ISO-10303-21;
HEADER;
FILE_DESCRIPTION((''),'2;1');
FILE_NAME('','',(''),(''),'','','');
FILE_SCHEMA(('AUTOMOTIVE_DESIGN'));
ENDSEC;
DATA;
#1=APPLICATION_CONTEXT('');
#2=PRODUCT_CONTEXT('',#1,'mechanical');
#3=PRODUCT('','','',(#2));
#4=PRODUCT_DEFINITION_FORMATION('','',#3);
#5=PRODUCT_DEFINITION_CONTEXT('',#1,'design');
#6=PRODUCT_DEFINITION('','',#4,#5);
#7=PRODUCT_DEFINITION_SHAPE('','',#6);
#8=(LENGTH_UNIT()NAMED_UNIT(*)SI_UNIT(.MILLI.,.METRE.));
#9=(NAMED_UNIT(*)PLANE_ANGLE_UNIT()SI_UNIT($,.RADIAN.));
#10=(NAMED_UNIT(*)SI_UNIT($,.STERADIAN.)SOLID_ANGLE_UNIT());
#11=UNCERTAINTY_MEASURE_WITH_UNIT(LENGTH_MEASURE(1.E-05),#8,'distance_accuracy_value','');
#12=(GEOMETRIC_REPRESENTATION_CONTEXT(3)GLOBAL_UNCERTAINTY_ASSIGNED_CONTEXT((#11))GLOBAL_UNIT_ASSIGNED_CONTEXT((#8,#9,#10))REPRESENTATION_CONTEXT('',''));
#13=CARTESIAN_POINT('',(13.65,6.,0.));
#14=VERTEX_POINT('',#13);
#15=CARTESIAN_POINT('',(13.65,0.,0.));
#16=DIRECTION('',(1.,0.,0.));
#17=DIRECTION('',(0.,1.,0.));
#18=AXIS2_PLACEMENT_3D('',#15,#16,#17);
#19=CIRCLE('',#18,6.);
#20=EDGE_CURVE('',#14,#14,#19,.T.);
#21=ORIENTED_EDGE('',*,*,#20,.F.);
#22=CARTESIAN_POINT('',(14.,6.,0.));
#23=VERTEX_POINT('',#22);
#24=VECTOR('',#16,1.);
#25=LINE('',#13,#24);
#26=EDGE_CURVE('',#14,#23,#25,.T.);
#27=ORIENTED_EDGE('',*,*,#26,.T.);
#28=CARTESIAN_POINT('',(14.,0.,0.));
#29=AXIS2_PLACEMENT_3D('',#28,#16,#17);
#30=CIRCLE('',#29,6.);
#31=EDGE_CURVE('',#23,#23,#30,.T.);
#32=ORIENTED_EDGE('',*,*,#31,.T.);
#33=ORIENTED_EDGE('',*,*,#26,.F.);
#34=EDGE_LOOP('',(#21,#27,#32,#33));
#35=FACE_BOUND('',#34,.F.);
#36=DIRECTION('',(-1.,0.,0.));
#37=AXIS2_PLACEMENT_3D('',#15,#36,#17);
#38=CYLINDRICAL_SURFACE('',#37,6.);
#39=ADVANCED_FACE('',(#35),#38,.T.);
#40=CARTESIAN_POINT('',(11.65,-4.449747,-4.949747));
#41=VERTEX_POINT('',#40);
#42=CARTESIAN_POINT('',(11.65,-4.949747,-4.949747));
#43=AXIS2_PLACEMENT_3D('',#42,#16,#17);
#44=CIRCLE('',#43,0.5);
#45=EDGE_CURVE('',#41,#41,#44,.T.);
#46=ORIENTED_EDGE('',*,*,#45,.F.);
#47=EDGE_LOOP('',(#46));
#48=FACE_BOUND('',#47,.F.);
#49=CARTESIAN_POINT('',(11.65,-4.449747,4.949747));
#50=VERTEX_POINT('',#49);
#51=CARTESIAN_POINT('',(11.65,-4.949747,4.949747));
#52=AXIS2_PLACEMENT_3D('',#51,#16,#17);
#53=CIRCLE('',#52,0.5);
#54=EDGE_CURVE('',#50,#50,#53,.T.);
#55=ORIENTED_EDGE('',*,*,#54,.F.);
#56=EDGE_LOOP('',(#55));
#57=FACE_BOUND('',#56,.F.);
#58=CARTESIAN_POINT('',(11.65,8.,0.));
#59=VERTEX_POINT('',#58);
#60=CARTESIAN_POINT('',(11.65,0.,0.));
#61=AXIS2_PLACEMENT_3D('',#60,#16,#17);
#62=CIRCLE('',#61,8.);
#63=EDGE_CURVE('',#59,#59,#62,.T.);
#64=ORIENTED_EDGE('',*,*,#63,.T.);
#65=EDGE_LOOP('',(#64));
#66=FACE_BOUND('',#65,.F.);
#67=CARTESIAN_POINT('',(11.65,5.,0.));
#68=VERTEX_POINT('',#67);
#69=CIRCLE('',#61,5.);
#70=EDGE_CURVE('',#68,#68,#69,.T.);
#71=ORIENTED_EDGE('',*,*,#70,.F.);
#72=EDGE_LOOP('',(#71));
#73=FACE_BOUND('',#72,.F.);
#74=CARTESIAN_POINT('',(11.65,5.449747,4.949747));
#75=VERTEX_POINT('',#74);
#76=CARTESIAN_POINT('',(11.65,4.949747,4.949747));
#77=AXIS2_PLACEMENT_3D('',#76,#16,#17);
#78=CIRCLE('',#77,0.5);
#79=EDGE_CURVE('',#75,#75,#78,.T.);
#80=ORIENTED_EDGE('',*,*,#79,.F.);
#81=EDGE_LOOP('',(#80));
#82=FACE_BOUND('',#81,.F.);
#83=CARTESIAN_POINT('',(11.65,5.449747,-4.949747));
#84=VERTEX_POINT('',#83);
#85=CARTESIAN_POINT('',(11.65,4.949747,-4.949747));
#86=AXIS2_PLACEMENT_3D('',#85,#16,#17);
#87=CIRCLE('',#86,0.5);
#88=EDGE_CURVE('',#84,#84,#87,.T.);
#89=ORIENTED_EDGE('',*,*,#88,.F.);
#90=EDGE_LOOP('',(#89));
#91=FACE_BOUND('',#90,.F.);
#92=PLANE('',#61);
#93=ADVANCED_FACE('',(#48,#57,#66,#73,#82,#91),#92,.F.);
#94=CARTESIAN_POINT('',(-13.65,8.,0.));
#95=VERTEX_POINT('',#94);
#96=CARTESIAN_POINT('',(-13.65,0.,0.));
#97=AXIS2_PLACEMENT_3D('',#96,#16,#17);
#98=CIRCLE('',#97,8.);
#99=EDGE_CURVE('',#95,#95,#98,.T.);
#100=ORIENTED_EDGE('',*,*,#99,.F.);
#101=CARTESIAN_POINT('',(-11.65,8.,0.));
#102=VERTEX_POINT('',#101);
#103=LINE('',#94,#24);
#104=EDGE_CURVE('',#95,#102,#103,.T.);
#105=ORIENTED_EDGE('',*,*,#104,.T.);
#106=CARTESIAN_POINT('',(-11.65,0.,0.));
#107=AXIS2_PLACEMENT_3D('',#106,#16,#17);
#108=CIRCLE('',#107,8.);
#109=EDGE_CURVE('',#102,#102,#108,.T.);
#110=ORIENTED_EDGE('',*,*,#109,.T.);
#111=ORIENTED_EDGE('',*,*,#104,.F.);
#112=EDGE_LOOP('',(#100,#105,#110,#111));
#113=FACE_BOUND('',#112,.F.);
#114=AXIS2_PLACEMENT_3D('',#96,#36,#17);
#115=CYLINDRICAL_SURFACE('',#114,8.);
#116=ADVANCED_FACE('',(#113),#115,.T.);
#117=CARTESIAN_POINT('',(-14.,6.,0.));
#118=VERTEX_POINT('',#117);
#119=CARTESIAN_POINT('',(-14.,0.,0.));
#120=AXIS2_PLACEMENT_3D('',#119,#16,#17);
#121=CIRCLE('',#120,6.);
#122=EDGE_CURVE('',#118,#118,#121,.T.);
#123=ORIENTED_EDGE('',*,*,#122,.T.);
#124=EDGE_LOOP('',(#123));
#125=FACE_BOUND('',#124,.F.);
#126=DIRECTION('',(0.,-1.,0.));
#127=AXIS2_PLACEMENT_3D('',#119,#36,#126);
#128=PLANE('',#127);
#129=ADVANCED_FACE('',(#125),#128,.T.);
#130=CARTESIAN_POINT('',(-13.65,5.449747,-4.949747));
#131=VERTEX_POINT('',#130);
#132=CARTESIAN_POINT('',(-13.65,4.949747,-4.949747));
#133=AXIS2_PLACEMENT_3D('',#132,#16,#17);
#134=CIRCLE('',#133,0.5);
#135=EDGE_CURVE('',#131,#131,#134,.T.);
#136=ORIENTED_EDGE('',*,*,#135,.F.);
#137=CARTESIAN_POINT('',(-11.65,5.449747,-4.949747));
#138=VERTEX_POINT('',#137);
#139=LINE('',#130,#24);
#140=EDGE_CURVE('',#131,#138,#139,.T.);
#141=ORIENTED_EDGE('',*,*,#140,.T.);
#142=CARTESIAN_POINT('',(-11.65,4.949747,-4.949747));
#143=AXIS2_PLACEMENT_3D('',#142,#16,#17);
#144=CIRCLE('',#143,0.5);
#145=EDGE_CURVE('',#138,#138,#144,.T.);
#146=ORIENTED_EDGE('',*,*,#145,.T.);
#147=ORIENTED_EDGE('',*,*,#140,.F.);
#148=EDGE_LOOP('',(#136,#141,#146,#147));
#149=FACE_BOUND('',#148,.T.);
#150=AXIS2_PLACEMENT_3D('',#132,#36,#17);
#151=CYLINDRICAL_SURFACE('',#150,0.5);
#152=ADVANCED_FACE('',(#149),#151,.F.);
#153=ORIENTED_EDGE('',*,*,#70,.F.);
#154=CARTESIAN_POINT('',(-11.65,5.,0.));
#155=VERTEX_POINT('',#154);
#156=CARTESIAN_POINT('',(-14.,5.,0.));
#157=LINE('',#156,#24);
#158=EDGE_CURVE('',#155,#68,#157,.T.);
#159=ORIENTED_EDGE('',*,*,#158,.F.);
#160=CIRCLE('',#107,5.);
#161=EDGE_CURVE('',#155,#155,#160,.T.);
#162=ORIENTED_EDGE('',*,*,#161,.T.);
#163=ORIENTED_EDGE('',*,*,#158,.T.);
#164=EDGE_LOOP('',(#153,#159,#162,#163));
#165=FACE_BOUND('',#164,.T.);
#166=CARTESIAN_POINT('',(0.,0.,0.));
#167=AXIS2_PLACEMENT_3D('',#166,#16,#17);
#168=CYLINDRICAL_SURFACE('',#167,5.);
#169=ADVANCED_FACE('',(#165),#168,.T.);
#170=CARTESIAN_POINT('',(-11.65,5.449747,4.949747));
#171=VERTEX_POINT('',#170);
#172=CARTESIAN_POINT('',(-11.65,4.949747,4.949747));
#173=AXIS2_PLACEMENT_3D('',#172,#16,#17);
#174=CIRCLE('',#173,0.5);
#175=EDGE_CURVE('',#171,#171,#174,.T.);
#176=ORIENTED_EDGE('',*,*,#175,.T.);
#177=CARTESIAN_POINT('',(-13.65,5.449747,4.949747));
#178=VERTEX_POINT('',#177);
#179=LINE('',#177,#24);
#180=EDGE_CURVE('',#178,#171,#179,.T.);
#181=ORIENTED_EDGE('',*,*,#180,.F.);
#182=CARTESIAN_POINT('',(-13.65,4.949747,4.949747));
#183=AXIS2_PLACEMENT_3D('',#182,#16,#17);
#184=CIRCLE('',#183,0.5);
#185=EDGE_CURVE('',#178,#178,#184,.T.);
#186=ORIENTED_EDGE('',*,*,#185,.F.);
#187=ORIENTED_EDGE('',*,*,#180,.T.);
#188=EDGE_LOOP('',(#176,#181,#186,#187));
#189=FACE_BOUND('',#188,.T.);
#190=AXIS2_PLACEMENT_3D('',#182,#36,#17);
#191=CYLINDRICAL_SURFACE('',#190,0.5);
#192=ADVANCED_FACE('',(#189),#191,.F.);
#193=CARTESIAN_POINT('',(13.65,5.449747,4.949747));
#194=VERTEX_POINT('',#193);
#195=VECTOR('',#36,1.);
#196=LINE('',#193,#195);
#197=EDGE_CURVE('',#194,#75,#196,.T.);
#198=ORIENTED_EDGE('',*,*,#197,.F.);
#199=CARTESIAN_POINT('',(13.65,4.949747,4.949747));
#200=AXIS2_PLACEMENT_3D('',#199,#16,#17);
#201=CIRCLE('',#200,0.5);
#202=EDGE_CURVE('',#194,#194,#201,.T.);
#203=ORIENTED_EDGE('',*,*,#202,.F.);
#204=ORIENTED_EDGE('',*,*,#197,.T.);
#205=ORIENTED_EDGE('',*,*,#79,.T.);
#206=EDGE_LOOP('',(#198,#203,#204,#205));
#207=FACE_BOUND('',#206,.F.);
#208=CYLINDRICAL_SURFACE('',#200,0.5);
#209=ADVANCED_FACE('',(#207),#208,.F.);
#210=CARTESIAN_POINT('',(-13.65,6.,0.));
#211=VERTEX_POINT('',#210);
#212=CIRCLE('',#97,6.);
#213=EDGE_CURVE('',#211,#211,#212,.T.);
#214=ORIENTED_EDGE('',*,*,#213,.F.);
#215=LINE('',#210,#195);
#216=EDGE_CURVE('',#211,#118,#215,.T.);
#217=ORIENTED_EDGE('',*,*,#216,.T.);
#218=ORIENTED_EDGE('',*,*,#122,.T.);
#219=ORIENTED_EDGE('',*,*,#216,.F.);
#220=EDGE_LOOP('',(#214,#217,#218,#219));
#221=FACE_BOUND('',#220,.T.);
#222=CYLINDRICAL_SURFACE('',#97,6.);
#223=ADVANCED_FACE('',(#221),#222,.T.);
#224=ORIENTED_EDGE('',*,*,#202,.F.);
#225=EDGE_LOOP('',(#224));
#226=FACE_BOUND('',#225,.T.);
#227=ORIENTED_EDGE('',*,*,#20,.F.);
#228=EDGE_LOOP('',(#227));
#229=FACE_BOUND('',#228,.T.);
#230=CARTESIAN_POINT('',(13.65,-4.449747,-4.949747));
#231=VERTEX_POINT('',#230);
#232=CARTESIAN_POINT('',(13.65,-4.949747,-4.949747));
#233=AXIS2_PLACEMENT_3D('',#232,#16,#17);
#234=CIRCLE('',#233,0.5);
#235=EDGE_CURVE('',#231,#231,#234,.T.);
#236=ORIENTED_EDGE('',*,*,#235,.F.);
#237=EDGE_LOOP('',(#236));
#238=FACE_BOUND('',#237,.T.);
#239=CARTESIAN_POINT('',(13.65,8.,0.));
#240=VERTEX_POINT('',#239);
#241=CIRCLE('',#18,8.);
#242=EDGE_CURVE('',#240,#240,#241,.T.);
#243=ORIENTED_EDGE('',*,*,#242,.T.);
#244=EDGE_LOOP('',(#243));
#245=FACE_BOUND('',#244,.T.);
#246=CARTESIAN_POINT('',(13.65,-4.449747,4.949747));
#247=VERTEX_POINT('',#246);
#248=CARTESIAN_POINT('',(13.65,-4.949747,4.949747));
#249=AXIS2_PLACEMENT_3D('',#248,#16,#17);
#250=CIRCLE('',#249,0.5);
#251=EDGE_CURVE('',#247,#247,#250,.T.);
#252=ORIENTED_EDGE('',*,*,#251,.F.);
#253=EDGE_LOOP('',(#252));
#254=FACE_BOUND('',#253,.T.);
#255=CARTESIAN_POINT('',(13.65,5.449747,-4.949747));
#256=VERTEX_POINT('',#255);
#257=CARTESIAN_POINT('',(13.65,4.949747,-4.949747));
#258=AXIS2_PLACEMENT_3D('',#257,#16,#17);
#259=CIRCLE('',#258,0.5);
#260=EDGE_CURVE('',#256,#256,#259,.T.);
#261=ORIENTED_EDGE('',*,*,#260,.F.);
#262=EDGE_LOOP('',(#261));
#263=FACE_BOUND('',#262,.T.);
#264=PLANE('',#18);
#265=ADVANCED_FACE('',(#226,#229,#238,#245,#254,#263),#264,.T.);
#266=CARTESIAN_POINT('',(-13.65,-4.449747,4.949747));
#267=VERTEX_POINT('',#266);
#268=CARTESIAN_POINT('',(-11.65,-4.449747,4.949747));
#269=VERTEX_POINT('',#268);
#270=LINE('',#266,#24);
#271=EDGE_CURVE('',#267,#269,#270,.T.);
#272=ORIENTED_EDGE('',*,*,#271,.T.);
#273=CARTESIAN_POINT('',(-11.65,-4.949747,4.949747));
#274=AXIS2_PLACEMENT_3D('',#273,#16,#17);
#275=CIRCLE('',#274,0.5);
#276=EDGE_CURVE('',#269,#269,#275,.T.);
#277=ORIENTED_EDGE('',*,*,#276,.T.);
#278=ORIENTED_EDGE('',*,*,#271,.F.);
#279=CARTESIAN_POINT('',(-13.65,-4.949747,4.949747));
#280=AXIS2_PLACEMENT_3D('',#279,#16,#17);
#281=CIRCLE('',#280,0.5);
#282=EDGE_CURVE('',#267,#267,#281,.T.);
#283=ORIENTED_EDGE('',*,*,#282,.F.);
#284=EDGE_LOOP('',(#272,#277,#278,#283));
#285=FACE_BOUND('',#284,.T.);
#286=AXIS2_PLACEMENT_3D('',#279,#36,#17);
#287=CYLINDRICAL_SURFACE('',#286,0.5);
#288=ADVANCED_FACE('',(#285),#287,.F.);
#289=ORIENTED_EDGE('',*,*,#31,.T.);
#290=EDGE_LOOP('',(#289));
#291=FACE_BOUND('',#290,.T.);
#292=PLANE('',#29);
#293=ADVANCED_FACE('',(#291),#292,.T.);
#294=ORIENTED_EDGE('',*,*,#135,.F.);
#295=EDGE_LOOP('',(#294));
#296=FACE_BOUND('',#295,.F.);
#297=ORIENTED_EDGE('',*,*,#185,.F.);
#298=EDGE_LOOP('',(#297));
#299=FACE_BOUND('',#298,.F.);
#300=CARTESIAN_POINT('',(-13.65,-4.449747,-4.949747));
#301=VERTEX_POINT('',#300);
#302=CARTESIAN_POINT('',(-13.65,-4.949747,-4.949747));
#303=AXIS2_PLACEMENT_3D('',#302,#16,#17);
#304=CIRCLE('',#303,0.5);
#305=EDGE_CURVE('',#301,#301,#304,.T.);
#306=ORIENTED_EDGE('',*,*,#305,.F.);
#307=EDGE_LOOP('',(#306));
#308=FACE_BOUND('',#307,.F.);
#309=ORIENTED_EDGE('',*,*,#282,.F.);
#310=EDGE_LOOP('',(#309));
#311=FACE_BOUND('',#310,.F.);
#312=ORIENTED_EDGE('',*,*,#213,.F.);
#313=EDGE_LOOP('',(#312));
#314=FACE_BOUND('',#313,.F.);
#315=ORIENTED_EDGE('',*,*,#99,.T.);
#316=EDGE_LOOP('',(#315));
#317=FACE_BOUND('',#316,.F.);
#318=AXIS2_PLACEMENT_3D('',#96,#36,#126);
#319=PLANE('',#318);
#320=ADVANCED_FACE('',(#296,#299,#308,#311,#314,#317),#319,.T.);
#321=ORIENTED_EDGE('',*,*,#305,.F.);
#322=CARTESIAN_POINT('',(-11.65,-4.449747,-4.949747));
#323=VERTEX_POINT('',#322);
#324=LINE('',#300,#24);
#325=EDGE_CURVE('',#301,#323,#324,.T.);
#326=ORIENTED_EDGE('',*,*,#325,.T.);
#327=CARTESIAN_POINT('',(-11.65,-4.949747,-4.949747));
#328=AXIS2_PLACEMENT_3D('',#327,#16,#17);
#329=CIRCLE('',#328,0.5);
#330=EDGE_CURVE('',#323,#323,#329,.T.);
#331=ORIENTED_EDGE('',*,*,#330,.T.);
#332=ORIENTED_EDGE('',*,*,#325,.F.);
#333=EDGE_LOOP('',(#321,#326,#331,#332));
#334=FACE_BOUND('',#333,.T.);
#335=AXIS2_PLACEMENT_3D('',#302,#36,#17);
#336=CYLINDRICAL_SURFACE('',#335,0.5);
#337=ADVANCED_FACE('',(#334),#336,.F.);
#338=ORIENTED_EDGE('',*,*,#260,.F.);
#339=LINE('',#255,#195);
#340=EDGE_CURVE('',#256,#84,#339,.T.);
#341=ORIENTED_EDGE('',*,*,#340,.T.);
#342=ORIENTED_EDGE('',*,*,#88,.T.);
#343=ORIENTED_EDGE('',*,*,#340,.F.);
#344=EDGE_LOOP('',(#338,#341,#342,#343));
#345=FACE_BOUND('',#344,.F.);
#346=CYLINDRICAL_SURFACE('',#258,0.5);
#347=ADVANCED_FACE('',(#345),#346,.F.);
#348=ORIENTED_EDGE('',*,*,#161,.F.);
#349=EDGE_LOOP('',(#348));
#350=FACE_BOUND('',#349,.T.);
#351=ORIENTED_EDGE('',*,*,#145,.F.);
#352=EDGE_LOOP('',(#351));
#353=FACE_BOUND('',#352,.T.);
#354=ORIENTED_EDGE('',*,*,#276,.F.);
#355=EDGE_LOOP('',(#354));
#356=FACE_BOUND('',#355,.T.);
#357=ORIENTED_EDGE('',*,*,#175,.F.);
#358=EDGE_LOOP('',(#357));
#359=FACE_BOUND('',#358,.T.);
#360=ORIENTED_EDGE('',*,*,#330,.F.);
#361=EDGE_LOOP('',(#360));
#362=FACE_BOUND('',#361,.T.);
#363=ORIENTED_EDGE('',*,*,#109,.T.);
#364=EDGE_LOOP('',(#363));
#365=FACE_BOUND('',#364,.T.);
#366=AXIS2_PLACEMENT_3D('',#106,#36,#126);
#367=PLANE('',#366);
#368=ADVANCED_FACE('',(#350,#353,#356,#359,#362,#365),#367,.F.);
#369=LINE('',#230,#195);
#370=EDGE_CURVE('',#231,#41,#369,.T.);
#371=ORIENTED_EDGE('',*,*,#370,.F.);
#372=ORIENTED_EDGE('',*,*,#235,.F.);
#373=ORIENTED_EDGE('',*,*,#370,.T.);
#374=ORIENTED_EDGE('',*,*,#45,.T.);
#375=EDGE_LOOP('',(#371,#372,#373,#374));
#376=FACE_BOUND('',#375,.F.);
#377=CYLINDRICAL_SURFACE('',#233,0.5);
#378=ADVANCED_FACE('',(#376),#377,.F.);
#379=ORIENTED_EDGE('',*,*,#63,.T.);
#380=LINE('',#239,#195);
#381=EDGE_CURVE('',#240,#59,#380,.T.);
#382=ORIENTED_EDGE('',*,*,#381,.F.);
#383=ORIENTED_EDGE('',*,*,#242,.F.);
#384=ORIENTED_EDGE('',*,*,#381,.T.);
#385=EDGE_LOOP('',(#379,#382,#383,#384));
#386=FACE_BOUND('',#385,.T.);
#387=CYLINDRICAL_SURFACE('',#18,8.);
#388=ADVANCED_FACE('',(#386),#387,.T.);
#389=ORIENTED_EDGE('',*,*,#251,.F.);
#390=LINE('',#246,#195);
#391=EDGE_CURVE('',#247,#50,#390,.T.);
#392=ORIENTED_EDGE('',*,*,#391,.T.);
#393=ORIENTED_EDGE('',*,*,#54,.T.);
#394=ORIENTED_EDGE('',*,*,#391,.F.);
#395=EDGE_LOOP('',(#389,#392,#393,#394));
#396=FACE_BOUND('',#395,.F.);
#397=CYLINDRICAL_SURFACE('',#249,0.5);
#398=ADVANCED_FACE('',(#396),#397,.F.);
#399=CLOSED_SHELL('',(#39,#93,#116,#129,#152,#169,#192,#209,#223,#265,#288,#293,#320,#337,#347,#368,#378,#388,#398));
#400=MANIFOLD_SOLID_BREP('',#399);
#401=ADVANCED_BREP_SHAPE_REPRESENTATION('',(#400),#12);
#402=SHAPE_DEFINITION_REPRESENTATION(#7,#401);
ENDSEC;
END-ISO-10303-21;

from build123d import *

# Parameters (mm, degrees)
SKETCH005_R     = 5
PAD002_DEPTH    = 14
SKETCH006_R     = 6
PAD003_DEPTH    = 0.35
SKETCH007_R     = 8
PAD004_DEPTH    = 2
SKETCH008_R     = 0.5
POCKET003_DEPTH = 2


with BuildPart() as part:
    # Sketch005 → Pad002 (new body, symmetric)
    with BuildSketch(Plane.YZ):
        Circle(SKETCH005_R)
    extrude(amount=PAD002_DEPTH, both=True)

    # Sketch006 (on DatumPlane) → Pad003 (new body)
    with BuildSketch(Plane.YZ.offset(13.65)):
        Circle(SKETCH006_R)
    pad003 = extrude(amount=PAD003_DEPTH)

    # Mirrored: Pad003 across YZ
    add(pad003.mirror(Plane.YZ))

    # Sketch007 (on DatumPlane) → Pad004 (new body)
    with BuildSketch(Plane.YZ.offset(13.65)):
        Circle(SKETCH007_R)
    pad004 = extrude(amount=-PAD004_DEPTH)

    # Mirrored001: Pad004 across YZ
    add(pad004.mirror(Plane.YZ))

    # Sketch008 (on DatumPlane) → Pocket003 (cut)
    with BuildSketch(Plane.YZ.offset(13.65)):
        with Locations((-4.949747, 4.949747)):
            Circle(SKETCH008_R)
        with Locations((4.949747, 4.949747)):
            Circle(SKETCH008_R)
        with Locations((4.949747, -4.949747)):
            Circle(SKETCH008_R)
        with Locations((-4.949747, -4.949747)):
            Circle(SKETCH008_R)
    pocket003 = extrude(amount=-POCKET003_DEPTH, mode=Mode.SUBTRACT)

    # Mirrored002: Pocket003 across YZ
    add(pocket003.mirror(Plane.YZ), mode=Mode.SUBTRACT)


solid = part.part
